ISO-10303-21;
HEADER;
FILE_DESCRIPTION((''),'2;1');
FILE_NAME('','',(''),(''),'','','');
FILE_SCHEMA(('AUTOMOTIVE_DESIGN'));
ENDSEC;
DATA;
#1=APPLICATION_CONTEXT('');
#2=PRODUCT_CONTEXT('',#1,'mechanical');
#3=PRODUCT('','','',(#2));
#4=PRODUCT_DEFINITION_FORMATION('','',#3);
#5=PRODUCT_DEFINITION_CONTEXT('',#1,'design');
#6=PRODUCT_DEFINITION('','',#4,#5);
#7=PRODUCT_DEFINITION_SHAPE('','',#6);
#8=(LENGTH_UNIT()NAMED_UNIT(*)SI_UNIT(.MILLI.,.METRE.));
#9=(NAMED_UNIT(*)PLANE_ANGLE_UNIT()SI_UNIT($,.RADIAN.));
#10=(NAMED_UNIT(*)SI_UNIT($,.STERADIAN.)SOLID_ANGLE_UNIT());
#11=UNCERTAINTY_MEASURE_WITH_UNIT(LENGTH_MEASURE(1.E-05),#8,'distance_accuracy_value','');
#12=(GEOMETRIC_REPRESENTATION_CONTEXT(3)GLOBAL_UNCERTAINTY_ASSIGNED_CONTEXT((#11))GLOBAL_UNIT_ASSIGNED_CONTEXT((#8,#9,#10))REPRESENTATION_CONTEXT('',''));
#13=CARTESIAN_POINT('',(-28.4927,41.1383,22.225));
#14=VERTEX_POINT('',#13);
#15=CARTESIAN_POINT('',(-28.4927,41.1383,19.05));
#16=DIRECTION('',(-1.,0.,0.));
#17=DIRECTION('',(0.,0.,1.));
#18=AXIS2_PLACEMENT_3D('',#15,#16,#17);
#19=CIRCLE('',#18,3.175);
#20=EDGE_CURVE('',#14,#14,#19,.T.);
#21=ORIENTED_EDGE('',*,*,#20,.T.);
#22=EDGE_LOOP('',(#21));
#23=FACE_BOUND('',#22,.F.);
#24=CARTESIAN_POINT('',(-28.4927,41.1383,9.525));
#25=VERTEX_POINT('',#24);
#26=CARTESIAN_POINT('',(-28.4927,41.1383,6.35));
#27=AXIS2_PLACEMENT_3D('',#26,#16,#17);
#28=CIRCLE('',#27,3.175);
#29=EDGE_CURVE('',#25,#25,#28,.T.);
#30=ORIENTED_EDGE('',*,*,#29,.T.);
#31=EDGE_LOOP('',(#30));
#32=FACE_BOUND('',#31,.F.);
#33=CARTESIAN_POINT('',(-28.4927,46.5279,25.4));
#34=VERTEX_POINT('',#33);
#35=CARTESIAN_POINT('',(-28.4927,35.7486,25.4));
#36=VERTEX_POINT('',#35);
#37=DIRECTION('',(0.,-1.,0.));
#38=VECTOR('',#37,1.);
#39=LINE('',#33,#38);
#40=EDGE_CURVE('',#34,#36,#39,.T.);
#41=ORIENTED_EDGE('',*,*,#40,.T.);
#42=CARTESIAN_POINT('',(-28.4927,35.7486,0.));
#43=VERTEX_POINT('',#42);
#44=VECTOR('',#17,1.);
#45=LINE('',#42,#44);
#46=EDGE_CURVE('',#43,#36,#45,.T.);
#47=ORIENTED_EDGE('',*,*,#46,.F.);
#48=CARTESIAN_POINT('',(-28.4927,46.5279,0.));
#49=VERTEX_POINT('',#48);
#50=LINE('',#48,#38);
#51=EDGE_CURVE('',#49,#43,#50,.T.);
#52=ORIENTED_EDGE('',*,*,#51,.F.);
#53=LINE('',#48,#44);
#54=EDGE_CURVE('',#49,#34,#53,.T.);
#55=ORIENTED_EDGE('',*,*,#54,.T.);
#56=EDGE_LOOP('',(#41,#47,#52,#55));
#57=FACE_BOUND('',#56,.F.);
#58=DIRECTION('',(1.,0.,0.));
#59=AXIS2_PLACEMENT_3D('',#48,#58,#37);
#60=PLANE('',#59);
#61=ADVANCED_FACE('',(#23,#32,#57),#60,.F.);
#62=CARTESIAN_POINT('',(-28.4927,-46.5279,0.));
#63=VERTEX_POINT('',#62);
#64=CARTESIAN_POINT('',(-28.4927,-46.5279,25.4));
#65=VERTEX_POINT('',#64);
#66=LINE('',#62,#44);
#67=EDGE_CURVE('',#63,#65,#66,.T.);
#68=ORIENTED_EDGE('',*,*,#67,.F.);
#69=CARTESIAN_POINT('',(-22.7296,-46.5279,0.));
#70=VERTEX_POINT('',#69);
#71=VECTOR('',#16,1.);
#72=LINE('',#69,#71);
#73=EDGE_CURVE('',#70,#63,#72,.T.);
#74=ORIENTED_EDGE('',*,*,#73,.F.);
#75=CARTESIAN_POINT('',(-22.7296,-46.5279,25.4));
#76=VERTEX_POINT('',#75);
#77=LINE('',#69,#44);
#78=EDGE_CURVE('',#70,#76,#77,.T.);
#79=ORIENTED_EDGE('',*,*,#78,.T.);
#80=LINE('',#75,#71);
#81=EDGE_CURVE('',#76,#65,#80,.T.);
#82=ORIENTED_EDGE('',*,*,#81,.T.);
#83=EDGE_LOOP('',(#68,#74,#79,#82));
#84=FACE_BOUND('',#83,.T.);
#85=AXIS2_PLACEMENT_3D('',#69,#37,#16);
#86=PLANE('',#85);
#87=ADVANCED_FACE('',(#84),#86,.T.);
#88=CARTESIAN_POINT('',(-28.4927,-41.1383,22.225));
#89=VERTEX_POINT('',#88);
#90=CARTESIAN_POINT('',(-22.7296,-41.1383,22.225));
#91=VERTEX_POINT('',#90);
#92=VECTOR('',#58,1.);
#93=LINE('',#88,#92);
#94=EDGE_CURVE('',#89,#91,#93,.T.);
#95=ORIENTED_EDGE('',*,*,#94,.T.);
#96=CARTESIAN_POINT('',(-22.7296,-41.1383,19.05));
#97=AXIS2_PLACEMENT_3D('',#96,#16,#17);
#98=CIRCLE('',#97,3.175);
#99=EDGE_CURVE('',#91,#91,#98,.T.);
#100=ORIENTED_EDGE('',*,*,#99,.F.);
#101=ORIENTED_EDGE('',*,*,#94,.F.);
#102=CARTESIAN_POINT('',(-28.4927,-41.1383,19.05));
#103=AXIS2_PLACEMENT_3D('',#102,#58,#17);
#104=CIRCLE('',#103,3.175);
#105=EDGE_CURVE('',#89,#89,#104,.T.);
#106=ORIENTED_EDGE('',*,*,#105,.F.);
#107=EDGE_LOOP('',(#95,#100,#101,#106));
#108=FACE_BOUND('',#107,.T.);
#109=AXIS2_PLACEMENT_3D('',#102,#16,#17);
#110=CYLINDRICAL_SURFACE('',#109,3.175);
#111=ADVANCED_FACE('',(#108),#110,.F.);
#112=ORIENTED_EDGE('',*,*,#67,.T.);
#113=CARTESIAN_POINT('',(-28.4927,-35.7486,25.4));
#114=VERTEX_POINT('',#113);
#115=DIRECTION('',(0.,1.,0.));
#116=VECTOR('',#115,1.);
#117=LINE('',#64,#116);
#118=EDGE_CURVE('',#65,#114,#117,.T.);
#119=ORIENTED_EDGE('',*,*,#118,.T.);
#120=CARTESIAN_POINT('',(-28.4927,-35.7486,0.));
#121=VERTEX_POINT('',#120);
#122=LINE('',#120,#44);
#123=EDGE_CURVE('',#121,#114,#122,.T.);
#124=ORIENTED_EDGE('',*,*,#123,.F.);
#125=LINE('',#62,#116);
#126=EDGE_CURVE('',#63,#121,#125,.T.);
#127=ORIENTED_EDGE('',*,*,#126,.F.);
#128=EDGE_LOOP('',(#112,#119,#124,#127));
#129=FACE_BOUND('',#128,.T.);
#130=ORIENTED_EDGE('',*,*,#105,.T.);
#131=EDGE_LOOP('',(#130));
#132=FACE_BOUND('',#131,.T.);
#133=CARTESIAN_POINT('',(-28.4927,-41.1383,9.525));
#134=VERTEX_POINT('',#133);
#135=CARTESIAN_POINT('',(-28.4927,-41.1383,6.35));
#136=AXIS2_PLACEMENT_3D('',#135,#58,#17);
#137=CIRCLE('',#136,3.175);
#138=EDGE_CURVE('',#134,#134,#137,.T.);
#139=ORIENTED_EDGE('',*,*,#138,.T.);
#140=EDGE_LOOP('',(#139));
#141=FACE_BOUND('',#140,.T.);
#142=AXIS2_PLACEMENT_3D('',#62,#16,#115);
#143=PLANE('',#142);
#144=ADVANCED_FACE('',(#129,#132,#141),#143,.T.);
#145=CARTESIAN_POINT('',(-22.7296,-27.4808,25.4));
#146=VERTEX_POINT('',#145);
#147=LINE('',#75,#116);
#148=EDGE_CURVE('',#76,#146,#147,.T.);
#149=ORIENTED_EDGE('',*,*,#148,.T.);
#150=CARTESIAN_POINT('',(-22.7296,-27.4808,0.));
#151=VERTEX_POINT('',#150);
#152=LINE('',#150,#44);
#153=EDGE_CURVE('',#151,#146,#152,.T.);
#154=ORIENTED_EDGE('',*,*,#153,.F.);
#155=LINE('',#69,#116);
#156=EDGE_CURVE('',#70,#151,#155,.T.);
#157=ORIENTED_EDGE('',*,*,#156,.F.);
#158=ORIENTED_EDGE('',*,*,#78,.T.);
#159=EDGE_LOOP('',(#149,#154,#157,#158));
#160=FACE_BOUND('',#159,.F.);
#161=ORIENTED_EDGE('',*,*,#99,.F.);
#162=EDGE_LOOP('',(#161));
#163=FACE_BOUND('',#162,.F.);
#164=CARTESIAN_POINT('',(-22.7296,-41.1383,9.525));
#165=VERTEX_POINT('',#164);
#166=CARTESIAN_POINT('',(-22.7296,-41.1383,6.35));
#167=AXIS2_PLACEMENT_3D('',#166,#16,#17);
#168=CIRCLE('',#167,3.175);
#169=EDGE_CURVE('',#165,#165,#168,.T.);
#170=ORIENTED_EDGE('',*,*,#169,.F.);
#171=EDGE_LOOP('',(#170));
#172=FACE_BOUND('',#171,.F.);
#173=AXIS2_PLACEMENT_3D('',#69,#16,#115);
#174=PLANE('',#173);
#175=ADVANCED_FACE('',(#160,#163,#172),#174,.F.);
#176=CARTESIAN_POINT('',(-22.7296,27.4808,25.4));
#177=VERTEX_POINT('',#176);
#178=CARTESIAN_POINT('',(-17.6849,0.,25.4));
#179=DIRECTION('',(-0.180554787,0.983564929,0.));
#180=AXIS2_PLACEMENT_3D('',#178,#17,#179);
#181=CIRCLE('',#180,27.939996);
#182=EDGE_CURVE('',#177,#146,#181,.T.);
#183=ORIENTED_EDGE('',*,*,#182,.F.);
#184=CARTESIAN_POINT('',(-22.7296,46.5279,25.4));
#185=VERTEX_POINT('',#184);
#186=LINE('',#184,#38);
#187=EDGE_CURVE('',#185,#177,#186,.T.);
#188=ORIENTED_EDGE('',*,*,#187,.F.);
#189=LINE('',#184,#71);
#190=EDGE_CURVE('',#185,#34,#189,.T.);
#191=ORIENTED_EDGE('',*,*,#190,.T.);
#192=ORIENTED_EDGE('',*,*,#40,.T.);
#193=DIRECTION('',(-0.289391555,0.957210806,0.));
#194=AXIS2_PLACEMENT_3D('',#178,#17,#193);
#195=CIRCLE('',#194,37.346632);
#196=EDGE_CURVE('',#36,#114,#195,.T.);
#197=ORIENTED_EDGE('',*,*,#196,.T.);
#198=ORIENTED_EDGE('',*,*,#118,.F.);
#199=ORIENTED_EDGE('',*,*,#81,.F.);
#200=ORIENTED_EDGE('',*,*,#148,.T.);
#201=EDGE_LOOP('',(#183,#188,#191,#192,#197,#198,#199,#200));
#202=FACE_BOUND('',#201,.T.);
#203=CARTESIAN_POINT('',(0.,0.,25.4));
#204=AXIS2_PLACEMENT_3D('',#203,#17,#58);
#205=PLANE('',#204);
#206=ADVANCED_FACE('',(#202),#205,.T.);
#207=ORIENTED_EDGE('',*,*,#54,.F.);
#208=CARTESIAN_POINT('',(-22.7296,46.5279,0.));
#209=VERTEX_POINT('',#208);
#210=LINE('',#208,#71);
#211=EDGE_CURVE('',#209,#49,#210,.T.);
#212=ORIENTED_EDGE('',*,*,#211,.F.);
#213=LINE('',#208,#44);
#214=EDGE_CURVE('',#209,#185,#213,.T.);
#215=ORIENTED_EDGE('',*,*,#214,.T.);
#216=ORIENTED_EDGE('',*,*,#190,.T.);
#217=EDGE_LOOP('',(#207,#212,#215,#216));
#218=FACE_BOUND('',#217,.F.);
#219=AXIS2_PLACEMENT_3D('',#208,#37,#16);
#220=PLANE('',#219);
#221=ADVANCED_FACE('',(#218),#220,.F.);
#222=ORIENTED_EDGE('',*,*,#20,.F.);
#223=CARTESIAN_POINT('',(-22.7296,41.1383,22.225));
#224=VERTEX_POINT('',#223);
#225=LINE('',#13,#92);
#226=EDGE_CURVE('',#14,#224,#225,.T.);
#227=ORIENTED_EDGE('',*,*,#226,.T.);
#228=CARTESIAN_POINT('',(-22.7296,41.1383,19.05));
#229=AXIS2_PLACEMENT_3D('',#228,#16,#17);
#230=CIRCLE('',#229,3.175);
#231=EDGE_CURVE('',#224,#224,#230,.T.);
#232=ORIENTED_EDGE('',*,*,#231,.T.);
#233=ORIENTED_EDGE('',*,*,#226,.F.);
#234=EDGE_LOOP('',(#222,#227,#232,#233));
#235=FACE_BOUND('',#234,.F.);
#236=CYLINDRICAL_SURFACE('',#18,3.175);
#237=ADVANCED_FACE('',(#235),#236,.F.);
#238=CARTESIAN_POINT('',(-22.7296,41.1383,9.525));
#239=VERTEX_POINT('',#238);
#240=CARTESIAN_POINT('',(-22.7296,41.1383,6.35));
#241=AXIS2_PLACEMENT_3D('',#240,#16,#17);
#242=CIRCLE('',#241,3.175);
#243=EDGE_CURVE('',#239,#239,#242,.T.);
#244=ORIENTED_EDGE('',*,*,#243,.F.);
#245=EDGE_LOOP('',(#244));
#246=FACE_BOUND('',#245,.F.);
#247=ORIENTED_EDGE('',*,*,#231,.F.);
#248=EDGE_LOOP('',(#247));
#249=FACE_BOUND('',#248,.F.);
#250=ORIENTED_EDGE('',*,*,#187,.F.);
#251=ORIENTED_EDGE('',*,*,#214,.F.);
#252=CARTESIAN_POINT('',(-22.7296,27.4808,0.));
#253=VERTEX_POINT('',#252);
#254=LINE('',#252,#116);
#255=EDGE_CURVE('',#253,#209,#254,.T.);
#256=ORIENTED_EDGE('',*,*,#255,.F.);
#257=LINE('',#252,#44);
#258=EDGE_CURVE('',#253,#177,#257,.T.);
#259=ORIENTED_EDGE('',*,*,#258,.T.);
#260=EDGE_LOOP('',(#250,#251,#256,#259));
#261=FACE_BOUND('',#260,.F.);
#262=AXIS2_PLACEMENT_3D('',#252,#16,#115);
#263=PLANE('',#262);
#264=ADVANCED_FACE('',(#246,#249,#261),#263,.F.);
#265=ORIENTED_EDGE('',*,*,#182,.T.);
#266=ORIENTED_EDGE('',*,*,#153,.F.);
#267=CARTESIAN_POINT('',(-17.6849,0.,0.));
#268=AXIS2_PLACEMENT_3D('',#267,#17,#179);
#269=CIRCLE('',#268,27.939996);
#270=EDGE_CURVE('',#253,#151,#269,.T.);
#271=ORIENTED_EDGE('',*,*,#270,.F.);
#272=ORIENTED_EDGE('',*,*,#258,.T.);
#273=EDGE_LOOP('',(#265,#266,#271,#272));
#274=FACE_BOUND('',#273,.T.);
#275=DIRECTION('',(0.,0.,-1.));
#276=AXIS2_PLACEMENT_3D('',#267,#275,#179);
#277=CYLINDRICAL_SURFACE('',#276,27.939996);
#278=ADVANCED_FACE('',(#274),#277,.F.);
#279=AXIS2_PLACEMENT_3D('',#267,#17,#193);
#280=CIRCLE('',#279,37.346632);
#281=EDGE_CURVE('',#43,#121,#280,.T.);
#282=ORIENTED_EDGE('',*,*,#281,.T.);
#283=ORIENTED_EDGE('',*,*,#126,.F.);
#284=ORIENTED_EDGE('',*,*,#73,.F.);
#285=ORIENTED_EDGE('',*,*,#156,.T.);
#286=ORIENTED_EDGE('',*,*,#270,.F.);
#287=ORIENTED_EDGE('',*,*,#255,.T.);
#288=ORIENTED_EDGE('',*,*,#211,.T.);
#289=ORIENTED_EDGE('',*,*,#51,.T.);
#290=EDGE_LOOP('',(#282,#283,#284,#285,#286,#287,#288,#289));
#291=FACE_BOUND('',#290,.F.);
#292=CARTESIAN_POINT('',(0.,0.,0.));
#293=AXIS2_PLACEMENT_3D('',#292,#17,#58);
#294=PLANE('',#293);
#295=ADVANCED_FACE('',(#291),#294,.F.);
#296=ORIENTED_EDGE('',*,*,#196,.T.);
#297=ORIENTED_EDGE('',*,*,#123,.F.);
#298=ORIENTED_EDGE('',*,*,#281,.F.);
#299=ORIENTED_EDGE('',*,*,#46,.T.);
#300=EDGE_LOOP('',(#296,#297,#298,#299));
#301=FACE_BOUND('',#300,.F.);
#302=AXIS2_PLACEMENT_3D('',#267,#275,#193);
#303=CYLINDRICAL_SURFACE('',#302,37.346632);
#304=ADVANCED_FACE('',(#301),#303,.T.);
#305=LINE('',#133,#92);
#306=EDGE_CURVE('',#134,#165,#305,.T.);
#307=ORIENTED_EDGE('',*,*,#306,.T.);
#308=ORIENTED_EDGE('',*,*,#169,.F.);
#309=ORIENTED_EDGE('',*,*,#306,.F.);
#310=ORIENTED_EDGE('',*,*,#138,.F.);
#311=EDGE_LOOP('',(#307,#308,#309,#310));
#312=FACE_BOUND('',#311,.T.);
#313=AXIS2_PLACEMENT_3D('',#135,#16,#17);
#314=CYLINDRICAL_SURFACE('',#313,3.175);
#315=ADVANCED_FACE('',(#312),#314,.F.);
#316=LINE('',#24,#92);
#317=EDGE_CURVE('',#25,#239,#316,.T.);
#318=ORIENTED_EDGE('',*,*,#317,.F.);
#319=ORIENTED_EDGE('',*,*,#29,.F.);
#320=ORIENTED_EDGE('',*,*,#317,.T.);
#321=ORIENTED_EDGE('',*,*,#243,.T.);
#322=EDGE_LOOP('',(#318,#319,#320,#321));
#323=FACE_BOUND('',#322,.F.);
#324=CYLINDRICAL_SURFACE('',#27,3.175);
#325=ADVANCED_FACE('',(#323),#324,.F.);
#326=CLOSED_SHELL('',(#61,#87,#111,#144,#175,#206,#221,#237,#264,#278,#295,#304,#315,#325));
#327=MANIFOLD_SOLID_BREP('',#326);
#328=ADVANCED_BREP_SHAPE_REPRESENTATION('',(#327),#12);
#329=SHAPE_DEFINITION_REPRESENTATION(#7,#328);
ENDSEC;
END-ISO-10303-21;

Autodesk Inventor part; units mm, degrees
ref_plane "YZ Plane" through (0, 0, 0) normal (1, 0, 0) x (0, 1, 0)
ref_plane "XZ Plane" through (0, 0, 0) normal (0, 1, 0) x (-1, 0, 0)
ref_plane "XY Plane" through (0, 0, 0) normal (0, 0, 1) x (1, 0, 0)
sketch "Sketch1" plane through (0, 0, 0) normal (0, 0, 1) x (1, 0, 0)
  arc A0 (-11.3451, -36.1483) -> (17.6265, -10) centre (-17.6849, 0) ccw projected
  line L0 (17.6265, -10) -> (19.0151, -10) projected
  line L1 (19.0151, -10) -> (19.0151, 10) projected
  line L2 (19.0151, 10) -> (17.6265, 10) projected
  arc A1 (17.6265, 10) -> (-11.3451, 36.1483) centre (-17.6849, 0) ccw projected
  line L3 (-11.3451, 36.1483) -> (-11.3451, 46.225) projected
  line L4 (-17.6951, 46.225) -> (-11.3451, 46.225) projected
  line L5 (-17.6951, 25.4) -> (-17.6951, 46.225) projected
  arc A2 (-17.6951, -25.4) -> (-17.6951, 25.4) centre (-17.6849, 0) ccw projected
  line L6 (-17.6951, -46.225) -> (-17.6951, -25.4) projected
  line L7 (-17.6951, -46.225) -> (-11.3451, -46.225) projected
  line L8 (-11.3451, -36.1483) -> (-11.3451, -46.225) projected
  circle A3 centre (-17.6849, 0) radius 25.4
  arc A4 (-22.7296, 27.4808) -> (-22.7296, -27.4808) centre (-17.6849, 0) ccw
  line L9 (-22.7296, -46.5279) -> (-22.7296, -27.4808)
  line L10 (-22.7296, -46.5279) -> (-28.4927, -46.5279)
  line L11 (-22.7296, -27.4808) -> (-22.7296, 27.4808) construction
  arc A5 (-28.4927, 35.7486) -> (-28.4927, -35.7486) centre (-17.6849, 0) ccw
  line L12 (-22.7296, 27.4808) -> (-22.7296, 37.0044)
  line L13 (-28.4927, -46.5279) -> (-28.4927, -35.7486)
  line L14 (-17.6849, 0) -> (-81.3039, 0) construction
  line L15 (-22.7296, 46.5279) -> (-22.7296, 27.4808)
  line L16 (-22.7296, 46.5279) -> (-28.4927, 46.5279)
  line L17 (-28.4927, 46.5279) -> (-28.4927, 35.7486)
  point P0 (0, 0)
  dimension "d0" = 2.54
  dimension "d1" = 0
  dimension "d2" = 0.3029
extrude "Extrusion1" add sketch "Sketch1" along normal blind 25.4 contours A4 L9 L10 L13 A5 L17 L16 L15 L12
sketch "Sketch2" plane through (-28.4927, 35.7486, 0) normal (-1, 0, 0) x (0, 0, 1)
  line L0 (0, -8.2678) -> (0, 10.7793) projected
  line L1 (25.4, 10.7793) -> (25.4, 0) projected
  line L2 (0, 10.7793) -> (25.4, 0) construction
  line L3 (12.7, 5.3897) -> (0, 5.3897) construction
  line L4 (12.7, 5.3897) -> (25.4, 5.3897) construction
  circle A0 centre (19.05, 5.3897) radius 3.175
  circle A1 centre (6.35, 5.3897) radius 3.175
  point P0 (0, -35.7486)
  dimension "d5" = 6.35
extrude "Extrusion2" cut sketch "Sketch2" against normal blind 25.4
ref_plane "Work Plane1" through (-28.4927, 0, 0) normal (0, 1, 0) x (1, 0, 0)
mirror "Mirror1" about plane through (-28.4927, 0, 0) normal (0, 1, 0) of "Extrusion2"
properties part number "dremelClamp"
